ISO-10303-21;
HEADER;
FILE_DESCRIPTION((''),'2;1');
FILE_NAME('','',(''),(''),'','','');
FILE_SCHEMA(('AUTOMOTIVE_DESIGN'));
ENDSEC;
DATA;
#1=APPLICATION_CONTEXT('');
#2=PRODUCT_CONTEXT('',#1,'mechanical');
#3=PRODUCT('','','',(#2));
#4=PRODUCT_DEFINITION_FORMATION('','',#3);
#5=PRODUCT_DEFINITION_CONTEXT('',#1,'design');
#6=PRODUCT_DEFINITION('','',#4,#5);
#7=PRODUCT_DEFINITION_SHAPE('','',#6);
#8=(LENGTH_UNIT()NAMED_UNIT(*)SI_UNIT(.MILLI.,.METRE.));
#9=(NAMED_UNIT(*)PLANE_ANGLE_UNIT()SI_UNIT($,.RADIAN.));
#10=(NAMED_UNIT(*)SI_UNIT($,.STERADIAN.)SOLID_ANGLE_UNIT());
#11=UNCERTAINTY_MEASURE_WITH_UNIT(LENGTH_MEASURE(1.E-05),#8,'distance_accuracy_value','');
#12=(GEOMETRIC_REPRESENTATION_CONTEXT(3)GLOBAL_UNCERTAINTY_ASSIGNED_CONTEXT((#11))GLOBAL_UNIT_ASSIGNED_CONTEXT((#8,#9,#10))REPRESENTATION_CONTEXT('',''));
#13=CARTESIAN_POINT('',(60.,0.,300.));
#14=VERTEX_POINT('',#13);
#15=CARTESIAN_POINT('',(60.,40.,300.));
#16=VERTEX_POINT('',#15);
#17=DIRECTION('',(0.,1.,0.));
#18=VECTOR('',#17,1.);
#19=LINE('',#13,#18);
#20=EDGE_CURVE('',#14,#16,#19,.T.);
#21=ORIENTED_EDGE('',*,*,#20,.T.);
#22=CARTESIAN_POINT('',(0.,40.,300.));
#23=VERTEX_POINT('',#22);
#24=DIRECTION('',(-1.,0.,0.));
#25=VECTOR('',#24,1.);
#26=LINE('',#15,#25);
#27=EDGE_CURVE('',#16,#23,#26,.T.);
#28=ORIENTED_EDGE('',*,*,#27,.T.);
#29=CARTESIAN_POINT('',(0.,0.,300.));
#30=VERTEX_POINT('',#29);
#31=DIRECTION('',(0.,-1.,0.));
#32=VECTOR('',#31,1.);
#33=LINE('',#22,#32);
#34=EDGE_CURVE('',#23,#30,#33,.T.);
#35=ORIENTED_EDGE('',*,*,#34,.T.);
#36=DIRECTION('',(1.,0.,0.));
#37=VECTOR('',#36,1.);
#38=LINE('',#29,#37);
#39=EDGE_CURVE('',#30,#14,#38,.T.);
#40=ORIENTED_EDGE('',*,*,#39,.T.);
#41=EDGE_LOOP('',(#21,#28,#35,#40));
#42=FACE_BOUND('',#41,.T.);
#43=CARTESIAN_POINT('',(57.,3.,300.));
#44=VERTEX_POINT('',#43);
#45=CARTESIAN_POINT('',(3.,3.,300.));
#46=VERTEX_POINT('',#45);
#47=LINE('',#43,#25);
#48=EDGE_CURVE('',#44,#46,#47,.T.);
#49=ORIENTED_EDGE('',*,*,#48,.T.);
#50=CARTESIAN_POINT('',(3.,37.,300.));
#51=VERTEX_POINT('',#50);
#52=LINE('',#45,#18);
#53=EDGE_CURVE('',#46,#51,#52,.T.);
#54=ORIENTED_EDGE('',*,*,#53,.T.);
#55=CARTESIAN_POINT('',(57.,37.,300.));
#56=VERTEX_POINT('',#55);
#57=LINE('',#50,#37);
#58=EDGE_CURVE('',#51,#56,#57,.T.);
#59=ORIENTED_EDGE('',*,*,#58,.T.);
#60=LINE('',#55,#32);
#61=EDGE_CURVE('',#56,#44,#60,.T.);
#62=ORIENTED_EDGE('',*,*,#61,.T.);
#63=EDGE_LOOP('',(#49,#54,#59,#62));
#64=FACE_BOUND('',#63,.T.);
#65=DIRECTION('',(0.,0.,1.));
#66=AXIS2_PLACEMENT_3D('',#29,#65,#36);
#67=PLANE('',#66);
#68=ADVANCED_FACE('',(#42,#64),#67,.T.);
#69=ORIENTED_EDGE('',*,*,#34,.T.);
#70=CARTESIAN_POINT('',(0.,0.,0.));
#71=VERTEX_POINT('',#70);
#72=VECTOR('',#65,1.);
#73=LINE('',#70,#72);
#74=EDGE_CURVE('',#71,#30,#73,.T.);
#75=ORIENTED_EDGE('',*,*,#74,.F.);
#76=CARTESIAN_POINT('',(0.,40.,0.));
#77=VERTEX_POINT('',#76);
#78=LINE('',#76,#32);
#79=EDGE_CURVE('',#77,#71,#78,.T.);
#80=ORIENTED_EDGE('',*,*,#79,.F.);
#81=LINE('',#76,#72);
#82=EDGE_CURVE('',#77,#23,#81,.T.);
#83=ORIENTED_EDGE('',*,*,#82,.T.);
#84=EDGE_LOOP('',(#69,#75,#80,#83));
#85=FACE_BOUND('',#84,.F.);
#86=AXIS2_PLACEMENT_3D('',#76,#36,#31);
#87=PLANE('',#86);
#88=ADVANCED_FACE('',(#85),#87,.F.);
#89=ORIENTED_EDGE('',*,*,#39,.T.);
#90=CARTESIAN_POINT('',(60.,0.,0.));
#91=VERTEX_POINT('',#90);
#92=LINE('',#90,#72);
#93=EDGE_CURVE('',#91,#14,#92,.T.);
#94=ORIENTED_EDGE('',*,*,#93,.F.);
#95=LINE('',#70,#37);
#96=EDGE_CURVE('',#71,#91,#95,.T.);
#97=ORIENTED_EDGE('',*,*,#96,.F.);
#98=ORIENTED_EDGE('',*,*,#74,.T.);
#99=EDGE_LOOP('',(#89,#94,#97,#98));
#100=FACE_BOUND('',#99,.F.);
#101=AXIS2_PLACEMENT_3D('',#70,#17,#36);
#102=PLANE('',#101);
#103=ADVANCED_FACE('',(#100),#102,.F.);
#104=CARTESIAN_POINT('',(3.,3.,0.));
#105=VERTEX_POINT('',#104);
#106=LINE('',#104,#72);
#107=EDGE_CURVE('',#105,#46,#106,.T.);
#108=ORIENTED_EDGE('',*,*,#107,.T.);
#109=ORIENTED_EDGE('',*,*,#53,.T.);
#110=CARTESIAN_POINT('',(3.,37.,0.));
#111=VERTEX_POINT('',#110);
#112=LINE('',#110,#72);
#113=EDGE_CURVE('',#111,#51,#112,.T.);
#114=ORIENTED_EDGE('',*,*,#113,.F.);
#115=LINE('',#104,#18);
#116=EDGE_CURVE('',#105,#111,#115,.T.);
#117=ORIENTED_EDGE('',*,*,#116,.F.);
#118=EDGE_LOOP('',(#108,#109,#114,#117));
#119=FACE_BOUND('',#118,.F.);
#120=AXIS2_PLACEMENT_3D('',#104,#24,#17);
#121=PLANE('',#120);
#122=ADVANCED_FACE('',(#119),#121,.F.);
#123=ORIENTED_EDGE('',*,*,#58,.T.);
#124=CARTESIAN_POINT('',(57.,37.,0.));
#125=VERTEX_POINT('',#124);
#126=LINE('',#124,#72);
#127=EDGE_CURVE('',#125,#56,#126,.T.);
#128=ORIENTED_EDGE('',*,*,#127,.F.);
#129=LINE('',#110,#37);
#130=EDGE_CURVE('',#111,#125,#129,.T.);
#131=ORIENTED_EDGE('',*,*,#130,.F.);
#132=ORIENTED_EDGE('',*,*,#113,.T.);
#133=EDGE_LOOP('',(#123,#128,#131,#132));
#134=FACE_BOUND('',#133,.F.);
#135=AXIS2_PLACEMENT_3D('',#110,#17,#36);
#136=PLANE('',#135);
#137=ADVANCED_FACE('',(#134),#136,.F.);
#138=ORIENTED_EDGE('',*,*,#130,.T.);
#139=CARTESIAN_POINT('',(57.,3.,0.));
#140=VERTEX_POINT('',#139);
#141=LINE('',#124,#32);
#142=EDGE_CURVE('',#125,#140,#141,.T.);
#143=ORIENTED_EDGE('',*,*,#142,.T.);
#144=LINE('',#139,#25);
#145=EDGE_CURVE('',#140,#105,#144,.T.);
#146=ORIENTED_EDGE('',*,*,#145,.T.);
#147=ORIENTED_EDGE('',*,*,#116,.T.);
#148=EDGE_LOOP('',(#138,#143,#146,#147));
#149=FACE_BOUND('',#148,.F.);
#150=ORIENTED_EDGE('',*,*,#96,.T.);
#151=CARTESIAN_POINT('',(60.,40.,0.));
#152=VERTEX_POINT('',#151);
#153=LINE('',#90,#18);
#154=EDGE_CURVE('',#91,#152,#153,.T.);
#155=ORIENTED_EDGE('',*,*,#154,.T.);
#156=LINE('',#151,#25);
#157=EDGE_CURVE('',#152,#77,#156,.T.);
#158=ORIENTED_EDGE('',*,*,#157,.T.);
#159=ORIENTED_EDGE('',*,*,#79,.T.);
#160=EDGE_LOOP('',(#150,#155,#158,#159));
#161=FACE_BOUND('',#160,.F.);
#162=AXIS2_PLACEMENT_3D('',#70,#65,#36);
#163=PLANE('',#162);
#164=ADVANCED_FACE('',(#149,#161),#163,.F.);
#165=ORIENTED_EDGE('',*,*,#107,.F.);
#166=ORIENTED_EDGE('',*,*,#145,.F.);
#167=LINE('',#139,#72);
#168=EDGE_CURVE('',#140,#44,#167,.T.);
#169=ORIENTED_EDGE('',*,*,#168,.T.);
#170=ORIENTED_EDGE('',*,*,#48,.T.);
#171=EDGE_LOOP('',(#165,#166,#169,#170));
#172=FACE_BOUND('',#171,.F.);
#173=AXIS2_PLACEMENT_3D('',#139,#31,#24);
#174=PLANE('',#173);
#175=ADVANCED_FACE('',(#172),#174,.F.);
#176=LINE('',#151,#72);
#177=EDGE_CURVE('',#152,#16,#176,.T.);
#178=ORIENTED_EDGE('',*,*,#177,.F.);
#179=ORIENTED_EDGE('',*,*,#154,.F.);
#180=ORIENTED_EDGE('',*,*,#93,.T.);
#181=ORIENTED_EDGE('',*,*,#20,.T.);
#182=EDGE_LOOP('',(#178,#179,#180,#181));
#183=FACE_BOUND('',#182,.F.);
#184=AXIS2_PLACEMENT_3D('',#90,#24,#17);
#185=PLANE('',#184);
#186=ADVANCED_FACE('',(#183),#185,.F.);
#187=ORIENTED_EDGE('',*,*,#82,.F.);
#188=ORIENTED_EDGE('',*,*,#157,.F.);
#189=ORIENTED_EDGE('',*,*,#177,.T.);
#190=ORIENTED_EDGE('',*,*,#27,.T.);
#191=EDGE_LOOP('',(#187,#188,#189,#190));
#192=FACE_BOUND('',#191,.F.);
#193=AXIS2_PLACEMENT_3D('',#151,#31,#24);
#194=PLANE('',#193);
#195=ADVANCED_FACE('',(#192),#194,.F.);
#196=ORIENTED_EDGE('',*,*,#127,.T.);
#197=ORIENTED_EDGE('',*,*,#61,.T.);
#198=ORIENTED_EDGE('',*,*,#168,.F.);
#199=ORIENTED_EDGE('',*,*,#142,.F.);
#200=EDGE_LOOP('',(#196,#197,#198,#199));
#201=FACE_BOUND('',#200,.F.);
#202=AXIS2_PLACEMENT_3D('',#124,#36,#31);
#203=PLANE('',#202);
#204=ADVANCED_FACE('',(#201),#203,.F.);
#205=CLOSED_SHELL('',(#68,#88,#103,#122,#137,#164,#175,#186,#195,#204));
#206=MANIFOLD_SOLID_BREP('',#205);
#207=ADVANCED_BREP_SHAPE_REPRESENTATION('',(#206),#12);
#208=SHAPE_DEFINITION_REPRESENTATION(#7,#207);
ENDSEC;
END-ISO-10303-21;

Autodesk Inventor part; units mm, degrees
ref_plane "YZ Plane" through (0, 0, 0) normal (1, 0, 0) x (0, 1, 0)
ref_plane "XZ Plane" through (0, 0, 0) normal (0, 1, 0) x (-1, 0, 0)
ref_plane "XY Plane" through (0, 0, 0) normal (0, 0, 1) x (1, 0, 0)
sketch "Boceto1" plane through (0, 0, 0) normal (0, 0, 1) x (1, 0, 0)
  line L0 (0, 0) -> (60, 0)
  line L1 (60, 0) -> (60, 40)
  line L2 (60, 40) -> (0, 40)
  line L3 (0, 40) -> (0, 0)
  line L4 (3, 37) -> (57, 37)
  line L5 (57, 37) -> (57, 3)
  line L6 (57, 3) -> (3, 3)
  line L7 (3, 3) -> (3, 37)
  dimension "d0" = 60
  dimension "d1" = 40
  dimension "d2" = 3
extrude "Extrusión1" add sketch "Boceto1" along normal blind 300
properties part number "leg"
